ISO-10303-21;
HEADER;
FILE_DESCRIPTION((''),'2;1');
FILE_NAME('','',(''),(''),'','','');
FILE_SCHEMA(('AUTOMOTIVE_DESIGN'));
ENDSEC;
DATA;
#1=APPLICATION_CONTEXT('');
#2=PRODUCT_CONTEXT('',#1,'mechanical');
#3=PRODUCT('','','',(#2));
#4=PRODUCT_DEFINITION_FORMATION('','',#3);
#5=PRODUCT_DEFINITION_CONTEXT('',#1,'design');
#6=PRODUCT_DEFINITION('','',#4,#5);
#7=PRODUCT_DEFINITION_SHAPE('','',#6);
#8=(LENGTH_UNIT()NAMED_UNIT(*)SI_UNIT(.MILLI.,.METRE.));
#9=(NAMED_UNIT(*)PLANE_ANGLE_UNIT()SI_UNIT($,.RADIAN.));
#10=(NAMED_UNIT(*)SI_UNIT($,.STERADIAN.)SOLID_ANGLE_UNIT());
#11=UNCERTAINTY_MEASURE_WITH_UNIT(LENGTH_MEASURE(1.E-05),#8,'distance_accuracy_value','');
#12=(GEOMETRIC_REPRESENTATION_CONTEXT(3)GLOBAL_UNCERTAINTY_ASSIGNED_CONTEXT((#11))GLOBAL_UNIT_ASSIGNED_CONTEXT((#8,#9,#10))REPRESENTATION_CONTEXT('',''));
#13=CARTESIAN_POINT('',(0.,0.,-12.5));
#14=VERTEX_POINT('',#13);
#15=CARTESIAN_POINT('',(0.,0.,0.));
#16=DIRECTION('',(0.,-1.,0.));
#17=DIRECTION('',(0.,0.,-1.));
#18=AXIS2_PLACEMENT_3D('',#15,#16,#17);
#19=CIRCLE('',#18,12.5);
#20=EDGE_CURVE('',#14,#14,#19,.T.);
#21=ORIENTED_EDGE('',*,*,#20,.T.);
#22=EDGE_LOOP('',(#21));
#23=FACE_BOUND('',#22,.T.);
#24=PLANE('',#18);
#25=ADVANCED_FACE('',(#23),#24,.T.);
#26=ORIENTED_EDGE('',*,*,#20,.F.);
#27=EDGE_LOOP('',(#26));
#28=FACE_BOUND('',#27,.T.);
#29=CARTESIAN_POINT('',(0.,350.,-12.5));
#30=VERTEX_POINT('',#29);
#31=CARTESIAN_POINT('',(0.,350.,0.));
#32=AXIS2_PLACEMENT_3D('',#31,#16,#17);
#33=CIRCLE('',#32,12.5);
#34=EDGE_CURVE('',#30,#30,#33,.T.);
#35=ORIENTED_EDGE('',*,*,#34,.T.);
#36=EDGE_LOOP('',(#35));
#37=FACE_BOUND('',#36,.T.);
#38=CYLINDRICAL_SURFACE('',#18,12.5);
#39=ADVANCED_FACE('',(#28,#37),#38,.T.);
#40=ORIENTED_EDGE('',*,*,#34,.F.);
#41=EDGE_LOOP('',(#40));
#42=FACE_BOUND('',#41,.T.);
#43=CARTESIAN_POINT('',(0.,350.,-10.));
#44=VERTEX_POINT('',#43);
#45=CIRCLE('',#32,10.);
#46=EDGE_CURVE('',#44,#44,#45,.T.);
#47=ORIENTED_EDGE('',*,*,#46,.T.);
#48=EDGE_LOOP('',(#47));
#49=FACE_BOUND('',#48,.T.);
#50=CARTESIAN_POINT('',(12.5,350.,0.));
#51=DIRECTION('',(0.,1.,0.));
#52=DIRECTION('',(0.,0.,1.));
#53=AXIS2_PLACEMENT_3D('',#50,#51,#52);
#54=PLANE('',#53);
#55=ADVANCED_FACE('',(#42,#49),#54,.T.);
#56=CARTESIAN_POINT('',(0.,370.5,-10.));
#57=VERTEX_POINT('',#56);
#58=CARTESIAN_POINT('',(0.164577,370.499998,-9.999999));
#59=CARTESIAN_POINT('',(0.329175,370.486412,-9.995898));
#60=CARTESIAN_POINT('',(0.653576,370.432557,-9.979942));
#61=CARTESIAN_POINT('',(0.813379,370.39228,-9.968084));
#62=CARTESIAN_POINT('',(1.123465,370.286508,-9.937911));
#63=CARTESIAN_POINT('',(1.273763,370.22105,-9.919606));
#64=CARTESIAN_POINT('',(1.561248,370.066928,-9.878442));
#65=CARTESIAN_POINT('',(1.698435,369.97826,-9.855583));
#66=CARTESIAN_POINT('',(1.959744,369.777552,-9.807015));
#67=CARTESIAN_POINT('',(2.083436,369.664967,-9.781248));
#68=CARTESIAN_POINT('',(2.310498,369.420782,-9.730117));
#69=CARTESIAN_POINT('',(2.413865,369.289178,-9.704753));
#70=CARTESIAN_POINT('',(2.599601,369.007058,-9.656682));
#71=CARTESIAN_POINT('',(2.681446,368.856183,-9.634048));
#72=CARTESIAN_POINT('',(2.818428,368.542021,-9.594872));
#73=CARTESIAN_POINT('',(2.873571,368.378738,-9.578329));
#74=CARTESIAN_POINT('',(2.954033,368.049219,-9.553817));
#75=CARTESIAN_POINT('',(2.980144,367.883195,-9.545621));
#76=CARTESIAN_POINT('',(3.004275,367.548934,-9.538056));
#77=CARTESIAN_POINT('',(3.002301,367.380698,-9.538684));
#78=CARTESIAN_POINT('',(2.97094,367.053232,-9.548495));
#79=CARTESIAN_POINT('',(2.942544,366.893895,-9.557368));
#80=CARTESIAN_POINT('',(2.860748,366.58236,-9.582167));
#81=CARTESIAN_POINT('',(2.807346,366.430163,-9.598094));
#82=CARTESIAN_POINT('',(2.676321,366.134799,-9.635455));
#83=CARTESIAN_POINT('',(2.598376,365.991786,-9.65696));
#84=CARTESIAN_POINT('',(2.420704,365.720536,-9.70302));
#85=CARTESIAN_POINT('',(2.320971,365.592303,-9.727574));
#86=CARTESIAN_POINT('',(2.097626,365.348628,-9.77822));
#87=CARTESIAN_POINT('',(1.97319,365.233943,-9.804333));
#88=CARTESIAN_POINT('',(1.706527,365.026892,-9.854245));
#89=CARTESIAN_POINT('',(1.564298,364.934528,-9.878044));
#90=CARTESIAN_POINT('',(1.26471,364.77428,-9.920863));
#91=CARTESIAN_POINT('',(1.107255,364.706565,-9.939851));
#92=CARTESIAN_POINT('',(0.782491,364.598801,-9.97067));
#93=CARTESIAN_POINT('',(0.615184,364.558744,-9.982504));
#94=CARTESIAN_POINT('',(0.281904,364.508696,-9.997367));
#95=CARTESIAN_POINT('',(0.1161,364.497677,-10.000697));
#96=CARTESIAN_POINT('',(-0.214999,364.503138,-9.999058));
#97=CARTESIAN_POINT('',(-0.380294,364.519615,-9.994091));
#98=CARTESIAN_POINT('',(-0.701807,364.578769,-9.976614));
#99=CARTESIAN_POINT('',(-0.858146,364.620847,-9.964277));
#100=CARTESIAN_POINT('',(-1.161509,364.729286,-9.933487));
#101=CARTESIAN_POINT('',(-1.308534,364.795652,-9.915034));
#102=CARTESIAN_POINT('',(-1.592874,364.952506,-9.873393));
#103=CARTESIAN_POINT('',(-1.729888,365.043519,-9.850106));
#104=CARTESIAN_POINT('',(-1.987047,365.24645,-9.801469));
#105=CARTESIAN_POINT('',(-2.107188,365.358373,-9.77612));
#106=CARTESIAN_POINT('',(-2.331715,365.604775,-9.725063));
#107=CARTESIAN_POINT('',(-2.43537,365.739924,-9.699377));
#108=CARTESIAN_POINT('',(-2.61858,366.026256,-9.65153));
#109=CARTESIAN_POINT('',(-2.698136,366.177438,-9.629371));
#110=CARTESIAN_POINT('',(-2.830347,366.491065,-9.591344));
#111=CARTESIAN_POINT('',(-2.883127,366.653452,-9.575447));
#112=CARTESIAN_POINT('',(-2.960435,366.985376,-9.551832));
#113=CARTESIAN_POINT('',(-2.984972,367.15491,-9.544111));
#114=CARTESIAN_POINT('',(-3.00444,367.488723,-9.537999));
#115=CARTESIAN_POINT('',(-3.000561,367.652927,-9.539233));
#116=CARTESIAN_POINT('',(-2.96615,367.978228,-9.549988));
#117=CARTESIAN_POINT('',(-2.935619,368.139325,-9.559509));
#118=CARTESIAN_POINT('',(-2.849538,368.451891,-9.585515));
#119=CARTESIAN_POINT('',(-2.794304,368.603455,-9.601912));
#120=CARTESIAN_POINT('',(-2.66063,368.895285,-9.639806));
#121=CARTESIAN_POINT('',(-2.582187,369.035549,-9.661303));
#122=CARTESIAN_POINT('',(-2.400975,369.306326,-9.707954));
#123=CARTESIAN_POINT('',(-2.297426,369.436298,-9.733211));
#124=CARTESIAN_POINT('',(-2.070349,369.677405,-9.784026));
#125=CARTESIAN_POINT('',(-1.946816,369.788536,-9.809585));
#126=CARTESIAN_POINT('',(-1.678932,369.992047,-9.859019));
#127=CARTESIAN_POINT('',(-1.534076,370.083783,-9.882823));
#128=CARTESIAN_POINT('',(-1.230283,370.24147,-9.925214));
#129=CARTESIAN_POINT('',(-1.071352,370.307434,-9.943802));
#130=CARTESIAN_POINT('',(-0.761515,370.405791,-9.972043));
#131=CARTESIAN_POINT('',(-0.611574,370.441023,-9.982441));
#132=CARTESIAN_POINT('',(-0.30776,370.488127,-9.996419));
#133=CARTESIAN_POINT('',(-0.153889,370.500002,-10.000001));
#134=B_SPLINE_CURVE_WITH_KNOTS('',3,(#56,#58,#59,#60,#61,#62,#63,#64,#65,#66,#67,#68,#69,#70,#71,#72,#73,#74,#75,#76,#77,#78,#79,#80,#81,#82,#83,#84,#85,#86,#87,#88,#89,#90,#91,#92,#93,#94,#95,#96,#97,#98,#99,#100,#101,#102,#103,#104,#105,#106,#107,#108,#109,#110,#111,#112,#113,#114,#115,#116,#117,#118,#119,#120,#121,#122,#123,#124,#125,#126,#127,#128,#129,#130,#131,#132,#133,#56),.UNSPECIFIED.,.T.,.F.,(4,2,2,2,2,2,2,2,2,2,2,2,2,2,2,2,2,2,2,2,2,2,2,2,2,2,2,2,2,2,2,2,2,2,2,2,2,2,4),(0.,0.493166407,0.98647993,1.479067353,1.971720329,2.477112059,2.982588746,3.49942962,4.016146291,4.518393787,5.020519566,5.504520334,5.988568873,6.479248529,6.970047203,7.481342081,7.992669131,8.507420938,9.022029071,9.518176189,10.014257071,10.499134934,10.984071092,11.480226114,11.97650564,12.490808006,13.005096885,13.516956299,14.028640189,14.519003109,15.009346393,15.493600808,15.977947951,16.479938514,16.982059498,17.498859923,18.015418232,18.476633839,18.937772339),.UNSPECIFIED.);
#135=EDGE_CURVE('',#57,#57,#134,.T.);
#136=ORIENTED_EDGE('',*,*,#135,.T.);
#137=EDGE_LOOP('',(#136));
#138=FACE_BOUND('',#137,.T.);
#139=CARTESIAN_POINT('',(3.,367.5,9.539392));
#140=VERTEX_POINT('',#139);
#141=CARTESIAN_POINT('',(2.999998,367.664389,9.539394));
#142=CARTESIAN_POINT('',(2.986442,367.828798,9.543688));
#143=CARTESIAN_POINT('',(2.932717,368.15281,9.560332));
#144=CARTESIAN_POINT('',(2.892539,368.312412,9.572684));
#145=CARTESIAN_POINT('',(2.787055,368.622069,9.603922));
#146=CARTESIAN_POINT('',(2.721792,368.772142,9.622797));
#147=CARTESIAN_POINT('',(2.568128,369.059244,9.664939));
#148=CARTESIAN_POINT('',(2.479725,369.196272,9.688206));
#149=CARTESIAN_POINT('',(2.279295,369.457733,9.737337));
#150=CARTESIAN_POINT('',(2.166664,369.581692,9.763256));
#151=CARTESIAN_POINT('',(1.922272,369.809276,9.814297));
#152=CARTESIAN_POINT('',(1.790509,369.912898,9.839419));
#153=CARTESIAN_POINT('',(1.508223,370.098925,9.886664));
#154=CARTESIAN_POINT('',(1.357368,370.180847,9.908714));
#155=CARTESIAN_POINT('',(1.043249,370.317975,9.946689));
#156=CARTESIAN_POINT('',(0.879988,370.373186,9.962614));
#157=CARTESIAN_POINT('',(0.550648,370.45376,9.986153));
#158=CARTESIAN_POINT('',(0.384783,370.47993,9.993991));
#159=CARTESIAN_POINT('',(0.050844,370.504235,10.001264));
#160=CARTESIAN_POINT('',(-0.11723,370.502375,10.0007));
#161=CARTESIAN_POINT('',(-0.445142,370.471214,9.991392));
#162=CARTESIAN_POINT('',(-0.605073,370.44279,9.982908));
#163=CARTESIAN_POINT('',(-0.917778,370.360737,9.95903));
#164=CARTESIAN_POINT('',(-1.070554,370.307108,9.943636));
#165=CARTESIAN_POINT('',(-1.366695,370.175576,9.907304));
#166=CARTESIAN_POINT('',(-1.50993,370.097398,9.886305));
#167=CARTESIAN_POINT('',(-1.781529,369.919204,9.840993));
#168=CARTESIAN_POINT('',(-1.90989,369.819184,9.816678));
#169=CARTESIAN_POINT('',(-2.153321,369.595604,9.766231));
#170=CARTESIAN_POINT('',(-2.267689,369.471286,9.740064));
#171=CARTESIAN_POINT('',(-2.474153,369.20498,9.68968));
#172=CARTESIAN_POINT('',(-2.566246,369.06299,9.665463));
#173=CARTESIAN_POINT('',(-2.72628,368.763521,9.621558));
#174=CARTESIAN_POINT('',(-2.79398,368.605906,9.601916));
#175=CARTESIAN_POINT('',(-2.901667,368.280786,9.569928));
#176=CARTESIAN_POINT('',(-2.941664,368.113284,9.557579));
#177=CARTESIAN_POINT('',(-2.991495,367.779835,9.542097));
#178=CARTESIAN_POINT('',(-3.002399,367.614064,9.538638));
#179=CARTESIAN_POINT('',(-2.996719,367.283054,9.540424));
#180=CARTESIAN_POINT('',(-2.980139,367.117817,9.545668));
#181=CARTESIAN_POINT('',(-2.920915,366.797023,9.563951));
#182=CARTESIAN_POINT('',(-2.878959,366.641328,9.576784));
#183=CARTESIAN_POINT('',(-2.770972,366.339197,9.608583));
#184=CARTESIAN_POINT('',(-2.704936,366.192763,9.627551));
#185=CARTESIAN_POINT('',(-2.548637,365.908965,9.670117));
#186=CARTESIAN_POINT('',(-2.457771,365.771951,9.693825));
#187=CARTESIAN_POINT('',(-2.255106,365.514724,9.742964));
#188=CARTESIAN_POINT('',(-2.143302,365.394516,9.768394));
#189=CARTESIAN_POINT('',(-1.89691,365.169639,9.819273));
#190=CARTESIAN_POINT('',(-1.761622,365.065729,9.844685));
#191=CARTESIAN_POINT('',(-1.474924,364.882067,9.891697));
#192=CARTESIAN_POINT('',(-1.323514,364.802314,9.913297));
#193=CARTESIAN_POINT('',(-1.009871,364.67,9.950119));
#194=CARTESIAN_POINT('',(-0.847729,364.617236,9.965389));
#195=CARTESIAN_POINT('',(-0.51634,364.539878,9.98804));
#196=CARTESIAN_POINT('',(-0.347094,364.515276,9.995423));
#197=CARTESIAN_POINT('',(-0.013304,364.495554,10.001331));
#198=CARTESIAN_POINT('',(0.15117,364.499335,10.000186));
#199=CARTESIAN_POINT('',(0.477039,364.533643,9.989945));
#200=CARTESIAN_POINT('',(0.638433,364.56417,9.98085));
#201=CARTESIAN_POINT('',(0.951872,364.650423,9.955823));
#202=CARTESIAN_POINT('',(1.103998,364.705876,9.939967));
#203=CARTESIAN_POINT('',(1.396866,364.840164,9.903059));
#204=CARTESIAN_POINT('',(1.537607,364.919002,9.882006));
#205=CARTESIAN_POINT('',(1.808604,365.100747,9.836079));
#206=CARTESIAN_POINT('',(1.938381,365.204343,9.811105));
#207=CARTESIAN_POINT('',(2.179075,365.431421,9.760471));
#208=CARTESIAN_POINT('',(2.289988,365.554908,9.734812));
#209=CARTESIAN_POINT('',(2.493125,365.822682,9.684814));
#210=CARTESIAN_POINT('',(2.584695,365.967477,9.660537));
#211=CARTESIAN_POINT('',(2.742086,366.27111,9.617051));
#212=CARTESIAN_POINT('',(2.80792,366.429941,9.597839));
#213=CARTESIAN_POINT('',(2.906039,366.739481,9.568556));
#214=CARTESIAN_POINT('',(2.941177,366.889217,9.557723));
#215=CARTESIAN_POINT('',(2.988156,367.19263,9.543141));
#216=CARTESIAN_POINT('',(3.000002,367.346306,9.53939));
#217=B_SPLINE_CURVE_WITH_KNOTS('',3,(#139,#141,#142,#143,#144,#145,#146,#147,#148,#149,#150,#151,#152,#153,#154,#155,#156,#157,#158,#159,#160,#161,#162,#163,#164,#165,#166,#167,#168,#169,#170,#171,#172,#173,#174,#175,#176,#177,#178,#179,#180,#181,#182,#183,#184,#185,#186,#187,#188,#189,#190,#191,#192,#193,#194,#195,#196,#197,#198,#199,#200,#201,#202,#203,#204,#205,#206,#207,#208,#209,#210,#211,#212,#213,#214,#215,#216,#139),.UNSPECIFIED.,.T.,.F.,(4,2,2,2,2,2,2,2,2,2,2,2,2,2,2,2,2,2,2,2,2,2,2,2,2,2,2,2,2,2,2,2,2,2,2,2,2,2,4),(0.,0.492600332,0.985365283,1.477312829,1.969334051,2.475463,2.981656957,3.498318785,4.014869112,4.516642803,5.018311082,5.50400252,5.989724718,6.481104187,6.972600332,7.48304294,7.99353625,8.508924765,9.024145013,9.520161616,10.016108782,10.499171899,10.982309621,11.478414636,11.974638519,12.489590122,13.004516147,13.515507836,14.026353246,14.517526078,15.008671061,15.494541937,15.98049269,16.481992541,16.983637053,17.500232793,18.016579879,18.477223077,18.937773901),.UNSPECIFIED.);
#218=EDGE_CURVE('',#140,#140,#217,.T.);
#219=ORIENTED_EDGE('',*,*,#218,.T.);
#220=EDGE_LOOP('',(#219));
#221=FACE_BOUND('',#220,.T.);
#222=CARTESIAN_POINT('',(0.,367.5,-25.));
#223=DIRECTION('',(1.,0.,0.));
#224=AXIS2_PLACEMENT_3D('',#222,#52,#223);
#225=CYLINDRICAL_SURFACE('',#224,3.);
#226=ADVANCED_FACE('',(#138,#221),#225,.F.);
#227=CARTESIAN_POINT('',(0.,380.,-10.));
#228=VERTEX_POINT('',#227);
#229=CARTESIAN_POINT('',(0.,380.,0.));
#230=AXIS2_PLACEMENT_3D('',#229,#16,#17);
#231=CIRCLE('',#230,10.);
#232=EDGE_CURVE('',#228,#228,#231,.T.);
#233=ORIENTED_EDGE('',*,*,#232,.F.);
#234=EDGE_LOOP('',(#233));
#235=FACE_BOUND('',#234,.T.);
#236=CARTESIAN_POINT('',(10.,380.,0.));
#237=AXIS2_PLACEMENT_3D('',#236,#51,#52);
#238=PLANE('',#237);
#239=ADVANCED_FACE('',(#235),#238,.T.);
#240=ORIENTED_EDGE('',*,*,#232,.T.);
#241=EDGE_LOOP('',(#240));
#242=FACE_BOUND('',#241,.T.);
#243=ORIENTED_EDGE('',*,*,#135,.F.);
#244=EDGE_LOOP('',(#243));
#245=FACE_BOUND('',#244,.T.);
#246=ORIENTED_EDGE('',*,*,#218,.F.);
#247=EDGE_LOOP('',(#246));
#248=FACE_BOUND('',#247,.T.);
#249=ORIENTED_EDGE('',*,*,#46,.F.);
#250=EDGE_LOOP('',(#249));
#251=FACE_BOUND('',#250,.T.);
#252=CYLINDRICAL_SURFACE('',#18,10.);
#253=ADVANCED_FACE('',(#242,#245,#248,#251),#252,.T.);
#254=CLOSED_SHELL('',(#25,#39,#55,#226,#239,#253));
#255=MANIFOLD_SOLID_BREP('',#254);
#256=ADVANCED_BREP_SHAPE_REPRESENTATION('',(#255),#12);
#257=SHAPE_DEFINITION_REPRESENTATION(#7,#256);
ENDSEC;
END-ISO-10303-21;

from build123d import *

# Parameters (mm, degrees)
SKETCH3_R          = 3
CUT_EXTRUDE1_DEPTH = 25


with BuildPart() as part:
    # Sketch2 → Revolve1 (revolve)
    with BuildSketch(Plane.XY, mode=Mode.PRIVATE) as revolve1_sk:
        Polygon((0, 0), (12.5, 0), (12.5, 350), (10, 350), (10, 380), (0, 380), align=None)
    revolve(revolve1_sk.sketch.rotate(Axis((0, 0, 0), (0, 1, 0)), 90), axis=Axis((0, 0, 0), (0, 1, 0)))

    # Sketch3 → Cut-Extrude1 (cut, symmetric)
    with BuildSketch(Plane.XY):
        with Locations((0, 367.5)):
            Circle(SKETCH3_R)
    extrude(amount=CUT_EXTRUDE1_DEPTH, both=True, mode=Mode.SUBTRACT)


solid = part.part
